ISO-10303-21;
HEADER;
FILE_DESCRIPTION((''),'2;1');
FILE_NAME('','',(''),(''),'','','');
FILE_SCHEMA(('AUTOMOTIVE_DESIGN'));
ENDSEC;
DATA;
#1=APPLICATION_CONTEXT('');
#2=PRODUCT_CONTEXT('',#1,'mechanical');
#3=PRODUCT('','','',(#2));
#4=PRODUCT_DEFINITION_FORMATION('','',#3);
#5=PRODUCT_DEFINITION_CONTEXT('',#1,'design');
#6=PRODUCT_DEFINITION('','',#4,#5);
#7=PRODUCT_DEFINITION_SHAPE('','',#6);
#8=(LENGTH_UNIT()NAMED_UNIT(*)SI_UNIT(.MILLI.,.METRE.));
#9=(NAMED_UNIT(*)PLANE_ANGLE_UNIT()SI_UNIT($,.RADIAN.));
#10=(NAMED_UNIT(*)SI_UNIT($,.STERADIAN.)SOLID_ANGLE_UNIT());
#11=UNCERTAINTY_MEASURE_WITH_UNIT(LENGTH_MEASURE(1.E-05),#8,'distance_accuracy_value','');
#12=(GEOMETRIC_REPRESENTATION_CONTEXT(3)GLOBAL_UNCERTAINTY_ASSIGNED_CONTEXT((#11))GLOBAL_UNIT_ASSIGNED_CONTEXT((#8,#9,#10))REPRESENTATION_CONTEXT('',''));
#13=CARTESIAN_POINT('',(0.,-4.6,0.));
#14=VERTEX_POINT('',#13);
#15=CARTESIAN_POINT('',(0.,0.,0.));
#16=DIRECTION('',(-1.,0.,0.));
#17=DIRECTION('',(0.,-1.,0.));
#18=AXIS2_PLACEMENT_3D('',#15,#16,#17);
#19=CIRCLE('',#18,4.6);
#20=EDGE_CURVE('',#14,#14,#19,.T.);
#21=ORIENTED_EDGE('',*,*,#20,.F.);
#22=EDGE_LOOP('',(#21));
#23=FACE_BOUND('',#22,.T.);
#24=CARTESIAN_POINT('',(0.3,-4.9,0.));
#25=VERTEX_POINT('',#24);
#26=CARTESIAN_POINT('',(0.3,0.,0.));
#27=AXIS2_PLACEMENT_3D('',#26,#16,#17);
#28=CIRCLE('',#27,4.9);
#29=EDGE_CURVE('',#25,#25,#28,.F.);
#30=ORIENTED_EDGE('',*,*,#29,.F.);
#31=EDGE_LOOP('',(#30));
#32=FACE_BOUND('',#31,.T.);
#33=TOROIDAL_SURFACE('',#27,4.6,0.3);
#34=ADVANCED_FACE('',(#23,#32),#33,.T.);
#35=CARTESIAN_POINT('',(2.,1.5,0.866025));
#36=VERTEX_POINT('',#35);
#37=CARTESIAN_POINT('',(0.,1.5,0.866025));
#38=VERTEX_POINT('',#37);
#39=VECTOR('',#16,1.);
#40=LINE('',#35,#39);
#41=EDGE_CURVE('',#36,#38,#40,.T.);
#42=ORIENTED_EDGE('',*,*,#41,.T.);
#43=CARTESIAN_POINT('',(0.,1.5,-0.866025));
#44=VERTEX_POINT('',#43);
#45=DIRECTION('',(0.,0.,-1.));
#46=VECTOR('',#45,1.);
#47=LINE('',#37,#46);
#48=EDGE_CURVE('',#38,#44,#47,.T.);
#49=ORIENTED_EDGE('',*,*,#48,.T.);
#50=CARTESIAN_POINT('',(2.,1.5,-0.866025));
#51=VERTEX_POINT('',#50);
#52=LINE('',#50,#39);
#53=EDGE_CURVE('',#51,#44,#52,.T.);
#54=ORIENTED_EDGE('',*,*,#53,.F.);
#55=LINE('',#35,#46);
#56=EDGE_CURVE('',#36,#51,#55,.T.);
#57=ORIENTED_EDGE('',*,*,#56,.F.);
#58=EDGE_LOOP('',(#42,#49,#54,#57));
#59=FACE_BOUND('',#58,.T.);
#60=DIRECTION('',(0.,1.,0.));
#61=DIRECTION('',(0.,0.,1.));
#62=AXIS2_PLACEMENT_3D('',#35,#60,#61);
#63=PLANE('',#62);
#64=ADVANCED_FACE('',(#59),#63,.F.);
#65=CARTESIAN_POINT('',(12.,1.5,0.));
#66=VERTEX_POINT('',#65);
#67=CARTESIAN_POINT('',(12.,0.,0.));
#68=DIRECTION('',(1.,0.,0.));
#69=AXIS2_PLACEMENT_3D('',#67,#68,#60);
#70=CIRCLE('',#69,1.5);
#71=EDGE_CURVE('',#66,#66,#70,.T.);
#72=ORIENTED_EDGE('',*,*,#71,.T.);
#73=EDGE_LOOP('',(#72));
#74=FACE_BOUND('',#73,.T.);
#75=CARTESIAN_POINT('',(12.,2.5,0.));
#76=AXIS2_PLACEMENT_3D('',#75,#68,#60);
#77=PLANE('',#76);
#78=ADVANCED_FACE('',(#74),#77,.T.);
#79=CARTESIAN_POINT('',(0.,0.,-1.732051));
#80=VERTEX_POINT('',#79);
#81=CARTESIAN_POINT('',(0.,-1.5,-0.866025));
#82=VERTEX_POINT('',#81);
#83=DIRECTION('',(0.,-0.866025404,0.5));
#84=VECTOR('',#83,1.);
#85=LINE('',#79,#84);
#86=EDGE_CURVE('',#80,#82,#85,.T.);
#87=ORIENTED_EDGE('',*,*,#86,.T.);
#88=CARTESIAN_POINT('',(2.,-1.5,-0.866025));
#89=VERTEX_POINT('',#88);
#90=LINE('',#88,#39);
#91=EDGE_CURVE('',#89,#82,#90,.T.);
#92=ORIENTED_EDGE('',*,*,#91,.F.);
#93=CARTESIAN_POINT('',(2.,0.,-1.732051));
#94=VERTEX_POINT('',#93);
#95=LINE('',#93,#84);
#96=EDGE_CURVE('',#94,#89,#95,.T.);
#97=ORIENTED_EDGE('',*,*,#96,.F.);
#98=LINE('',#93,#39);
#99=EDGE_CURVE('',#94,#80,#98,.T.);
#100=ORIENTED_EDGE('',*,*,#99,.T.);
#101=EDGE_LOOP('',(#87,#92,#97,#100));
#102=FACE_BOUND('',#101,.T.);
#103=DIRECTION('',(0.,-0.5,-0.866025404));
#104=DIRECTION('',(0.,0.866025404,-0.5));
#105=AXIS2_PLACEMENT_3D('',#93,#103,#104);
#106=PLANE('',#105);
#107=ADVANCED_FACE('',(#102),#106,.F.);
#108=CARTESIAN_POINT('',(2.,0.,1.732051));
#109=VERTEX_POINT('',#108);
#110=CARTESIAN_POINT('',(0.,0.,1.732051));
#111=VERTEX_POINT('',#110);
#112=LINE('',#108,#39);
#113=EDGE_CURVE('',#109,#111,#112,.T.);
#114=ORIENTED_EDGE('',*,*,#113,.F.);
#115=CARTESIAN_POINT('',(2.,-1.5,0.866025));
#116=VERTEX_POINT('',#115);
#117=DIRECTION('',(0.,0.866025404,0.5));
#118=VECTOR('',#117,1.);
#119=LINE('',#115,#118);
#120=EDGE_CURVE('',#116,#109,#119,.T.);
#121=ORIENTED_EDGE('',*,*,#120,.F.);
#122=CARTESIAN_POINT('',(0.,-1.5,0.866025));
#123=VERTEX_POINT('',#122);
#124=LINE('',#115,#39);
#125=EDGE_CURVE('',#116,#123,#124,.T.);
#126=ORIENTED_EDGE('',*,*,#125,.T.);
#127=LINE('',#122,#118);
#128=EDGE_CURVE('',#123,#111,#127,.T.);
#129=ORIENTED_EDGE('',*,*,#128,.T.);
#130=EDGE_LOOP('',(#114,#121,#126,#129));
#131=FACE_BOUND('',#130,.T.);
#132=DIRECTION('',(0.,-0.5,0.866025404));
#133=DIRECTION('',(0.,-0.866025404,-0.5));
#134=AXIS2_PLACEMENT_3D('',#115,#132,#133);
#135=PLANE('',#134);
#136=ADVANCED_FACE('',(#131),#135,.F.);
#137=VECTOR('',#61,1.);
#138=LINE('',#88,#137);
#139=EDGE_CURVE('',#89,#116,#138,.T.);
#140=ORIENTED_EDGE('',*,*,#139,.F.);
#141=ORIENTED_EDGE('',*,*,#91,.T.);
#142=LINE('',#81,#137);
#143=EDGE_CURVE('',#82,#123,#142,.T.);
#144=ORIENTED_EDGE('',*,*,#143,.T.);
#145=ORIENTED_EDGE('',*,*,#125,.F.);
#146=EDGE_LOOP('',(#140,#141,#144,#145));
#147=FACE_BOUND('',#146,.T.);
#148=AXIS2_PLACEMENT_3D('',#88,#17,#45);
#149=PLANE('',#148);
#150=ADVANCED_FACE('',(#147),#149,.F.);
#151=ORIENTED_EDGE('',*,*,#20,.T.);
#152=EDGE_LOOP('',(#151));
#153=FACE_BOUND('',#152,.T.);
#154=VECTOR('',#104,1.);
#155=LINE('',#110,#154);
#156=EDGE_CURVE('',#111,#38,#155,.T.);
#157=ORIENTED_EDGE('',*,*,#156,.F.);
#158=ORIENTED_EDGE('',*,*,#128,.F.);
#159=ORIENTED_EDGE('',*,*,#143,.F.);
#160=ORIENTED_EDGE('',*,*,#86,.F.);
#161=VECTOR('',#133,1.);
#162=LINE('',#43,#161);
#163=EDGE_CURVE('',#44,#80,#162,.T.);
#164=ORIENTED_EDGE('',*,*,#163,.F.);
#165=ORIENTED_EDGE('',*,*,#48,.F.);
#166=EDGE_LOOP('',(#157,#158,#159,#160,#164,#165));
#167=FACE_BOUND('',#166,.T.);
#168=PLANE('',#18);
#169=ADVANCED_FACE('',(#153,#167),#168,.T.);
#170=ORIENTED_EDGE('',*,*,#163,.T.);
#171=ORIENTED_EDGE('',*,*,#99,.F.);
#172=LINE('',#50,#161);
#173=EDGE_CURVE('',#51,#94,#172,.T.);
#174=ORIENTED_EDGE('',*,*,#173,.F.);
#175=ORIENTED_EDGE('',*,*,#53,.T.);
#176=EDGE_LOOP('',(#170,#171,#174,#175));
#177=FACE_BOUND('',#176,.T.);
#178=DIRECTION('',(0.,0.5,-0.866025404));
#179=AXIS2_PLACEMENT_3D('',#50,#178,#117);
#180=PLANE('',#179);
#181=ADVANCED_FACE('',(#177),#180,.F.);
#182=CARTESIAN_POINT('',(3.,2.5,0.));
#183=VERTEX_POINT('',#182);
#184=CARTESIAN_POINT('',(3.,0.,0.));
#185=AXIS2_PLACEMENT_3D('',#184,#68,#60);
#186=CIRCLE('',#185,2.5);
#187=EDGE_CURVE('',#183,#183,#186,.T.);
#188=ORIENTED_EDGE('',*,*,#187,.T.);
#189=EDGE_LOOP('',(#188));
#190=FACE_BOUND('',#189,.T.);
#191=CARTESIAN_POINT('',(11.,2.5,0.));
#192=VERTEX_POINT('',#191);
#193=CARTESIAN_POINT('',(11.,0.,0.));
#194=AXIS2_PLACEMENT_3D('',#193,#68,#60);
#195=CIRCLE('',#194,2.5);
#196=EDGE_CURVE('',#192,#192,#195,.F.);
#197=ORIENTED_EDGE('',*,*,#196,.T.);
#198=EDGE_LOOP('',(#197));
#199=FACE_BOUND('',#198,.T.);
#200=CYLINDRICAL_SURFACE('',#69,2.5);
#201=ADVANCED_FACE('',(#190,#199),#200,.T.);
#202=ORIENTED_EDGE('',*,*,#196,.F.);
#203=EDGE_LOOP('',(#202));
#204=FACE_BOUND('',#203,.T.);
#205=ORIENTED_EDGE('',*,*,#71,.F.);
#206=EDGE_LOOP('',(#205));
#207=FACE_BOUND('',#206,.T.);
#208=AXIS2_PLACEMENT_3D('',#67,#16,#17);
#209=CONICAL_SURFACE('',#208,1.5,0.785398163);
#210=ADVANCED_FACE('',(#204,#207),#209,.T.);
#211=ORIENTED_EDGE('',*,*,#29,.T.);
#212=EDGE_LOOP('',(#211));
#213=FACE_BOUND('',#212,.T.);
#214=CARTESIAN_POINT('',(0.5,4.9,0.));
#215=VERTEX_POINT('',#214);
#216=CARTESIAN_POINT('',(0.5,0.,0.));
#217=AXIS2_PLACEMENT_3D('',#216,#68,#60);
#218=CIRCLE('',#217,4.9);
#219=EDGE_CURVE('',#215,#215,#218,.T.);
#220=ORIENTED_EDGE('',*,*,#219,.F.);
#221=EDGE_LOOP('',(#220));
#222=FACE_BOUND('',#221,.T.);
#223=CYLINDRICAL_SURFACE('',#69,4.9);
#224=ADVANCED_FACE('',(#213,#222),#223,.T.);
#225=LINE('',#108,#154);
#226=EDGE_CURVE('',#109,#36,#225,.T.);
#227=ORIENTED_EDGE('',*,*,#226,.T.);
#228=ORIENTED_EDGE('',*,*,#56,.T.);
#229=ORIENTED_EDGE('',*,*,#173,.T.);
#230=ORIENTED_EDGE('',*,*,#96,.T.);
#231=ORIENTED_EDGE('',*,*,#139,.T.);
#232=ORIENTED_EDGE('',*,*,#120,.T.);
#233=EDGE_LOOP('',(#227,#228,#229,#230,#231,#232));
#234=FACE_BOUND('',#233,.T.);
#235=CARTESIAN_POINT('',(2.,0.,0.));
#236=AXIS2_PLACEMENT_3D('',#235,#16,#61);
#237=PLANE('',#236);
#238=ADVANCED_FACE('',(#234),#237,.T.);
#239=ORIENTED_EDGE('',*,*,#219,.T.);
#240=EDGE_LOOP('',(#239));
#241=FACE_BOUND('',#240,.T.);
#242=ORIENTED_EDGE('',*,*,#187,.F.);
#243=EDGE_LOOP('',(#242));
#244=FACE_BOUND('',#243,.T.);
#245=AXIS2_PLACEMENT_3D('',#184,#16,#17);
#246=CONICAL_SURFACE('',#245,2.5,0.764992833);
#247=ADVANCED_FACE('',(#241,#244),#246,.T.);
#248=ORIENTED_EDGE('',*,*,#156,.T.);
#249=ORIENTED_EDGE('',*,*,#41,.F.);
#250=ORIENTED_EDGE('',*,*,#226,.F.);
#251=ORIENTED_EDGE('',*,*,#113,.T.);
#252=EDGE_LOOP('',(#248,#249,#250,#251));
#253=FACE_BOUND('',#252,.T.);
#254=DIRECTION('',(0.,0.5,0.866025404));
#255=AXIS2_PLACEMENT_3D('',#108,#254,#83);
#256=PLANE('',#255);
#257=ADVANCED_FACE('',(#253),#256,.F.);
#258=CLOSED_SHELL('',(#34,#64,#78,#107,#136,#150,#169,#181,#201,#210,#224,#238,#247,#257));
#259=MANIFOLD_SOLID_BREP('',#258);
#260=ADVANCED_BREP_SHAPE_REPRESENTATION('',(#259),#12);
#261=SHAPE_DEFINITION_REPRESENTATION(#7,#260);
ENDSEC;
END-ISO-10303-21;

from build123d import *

# Parameters (mm, degrees)
CUT_EXTRUDE_1_DEPTH = 2
FILLET_1_R          = 0.3
CHAMFER_1_SIZE      = 1


with BuildPart() as part:
    # Эскиз1 → Повернуть1 (revolve)
    with BuildSketch(Plane.XY):
        Polygon((0, 0), (0, 4.9), (0.5, 4.9), (3, 2.5), (12, 2.5), (12, 0), align=None)
    revolve(axis=Axis((12, 0, 0), (-1, 0, 0)))

    # Эскиз2 → Вырез-Вытянуть1 (cut)
    with BuildSketch(Plane.ZY):
        Polygon((0.866025404, 1.5), (-0.866025404, 1.5), (-1.732050808, 0), (-0.866025404, -1.5), (0.866025404, -1.5), (1.732050808, 0), align=None)
    extrude(amount=-CUT_EXTRUDE_1_DEPTH, mode=Mode.SUBTRACT)

    # Скругление1
    fillet_1_edges = [part.edges().sort_by_distance(p)[0] for p in [
        (0, -4.9, 0),
    ]]
    fillet(fillet_1_edges, radius=FILLET_1_R)

    # Фаска1
    chamfer_1_edges = [part.edges().sort_by_distance(p)[0] for p in [
        (12, -2.5, 0),
    ]]
    chamfer(chamfer_1_edges, length=CHAMFER_1_SIZE)


solid = part.part
